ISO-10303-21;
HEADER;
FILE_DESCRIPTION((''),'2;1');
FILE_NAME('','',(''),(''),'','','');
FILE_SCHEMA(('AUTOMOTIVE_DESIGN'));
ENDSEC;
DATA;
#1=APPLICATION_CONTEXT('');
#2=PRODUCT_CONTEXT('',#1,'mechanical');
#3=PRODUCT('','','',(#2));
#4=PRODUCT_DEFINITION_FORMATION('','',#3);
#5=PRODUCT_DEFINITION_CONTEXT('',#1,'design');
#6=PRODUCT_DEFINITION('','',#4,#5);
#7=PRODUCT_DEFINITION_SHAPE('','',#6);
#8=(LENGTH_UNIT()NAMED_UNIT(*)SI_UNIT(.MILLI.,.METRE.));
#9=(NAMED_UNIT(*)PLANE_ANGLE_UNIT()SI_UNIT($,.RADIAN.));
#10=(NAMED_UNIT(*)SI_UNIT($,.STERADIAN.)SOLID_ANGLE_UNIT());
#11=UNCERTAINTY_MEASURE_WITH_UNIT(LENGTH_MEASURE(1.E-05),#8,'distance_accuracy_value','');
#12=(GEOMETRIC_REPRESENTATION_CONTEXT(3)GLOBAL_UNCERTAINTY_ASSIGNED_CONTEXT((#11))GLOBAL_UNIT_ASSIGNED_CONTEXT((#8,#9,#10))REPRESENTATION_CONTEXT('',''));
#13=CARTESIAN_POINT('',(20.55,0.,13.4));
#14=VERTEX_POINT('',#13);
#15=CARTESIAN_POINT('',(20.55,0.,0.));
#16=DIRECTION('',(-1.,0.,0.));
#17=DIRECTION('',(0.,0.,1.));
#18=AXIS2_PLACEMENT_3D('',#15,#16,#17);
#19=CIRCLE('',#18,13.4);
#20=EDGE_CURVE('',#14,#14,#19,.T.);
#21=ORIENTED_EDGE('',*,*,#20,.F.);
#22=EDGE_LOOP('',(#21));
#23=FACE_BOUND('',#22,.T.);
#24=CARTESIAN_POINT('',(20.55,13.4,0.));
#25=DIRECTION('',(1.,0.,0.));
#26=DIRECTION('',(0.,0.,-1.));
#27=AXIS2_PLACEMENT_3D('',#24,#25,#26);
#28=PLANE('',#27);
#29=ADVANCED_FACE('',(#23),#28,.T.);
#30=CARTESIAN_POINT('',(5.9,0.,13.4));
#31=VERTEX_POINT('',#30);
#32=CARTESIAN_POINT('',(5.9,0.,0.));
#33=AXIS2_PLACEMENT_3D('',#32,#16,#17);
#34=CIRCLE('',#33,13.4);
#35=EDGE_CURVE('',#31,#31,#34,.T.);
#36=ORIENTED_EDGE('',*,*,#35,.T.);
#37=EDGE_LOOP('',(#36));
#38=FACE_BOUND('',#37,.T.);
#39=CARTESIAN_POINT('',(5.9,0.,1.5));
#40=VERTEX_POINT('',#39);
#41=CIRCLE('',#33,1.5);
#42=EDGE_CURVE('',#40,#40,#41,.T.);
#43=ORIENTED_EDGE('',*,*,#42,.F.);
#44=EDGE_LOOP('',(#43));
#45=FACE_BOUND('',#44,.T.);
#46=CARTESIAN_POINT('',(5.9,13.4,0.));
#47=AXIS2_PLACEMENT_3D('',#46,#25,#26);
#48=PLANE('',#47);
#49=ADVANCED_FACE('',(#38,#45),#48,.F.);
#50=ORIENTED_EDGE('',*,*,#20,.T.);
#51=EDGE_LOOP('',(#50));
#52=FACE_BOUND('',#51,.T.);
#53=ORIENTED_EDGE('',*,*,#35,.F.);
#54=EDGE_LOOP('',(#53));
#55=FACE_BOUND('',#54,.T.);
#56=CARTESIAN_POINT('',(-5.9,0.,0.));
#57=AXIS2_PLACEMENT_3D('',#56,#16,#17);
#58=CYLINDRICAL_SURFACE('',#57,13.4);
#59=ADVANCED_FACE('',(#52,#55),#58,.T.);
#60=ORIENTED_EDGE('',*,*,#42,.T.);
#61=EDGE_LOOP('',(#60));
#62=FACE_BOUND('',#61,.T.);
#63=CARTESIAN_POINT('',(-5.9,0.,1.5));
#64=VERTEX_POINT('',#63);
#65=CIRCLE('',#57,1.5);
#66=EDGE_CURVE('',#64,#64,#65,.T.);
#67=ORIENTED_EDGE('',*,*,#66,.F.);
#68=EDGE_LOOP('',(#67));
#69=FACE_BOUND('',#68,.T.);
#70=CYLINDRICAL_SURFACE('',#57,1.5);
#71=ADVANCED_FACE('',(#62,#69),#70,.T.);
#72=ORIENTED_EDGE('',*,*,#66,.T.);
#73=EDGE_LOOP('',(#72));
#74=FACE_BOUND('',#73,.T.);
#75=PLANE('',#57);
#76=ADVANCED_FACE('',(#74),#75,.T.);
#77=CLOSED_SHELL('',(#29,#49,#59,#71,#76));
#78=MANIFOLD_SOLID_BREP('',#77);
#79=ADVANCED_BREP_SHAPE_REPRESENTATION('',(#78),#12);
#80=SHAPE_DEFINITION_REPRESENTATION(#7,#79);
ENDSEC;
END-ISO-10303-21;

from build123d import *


with BuildPart() as part:
    # Sketch1 → Revolve1 (revolve)
    with BuildSketch(Plane.XY, mode=Mode.PRIVATE) as revolve1_sk:
        Polygon((-5.9, 0), (20.55, 0), (20.55, 13.4), (5.9, 13.4), (5.9, 1.5), (-5.9, 1.5), align=None)
    revolve(revolve1_sk.sketch.rotate(Axis((-5.9, 0, 0), (1, 0, 0)), 90), axis=Axis((-5.9, 0, 0), (1, 0, 0)))


solid = part.part
